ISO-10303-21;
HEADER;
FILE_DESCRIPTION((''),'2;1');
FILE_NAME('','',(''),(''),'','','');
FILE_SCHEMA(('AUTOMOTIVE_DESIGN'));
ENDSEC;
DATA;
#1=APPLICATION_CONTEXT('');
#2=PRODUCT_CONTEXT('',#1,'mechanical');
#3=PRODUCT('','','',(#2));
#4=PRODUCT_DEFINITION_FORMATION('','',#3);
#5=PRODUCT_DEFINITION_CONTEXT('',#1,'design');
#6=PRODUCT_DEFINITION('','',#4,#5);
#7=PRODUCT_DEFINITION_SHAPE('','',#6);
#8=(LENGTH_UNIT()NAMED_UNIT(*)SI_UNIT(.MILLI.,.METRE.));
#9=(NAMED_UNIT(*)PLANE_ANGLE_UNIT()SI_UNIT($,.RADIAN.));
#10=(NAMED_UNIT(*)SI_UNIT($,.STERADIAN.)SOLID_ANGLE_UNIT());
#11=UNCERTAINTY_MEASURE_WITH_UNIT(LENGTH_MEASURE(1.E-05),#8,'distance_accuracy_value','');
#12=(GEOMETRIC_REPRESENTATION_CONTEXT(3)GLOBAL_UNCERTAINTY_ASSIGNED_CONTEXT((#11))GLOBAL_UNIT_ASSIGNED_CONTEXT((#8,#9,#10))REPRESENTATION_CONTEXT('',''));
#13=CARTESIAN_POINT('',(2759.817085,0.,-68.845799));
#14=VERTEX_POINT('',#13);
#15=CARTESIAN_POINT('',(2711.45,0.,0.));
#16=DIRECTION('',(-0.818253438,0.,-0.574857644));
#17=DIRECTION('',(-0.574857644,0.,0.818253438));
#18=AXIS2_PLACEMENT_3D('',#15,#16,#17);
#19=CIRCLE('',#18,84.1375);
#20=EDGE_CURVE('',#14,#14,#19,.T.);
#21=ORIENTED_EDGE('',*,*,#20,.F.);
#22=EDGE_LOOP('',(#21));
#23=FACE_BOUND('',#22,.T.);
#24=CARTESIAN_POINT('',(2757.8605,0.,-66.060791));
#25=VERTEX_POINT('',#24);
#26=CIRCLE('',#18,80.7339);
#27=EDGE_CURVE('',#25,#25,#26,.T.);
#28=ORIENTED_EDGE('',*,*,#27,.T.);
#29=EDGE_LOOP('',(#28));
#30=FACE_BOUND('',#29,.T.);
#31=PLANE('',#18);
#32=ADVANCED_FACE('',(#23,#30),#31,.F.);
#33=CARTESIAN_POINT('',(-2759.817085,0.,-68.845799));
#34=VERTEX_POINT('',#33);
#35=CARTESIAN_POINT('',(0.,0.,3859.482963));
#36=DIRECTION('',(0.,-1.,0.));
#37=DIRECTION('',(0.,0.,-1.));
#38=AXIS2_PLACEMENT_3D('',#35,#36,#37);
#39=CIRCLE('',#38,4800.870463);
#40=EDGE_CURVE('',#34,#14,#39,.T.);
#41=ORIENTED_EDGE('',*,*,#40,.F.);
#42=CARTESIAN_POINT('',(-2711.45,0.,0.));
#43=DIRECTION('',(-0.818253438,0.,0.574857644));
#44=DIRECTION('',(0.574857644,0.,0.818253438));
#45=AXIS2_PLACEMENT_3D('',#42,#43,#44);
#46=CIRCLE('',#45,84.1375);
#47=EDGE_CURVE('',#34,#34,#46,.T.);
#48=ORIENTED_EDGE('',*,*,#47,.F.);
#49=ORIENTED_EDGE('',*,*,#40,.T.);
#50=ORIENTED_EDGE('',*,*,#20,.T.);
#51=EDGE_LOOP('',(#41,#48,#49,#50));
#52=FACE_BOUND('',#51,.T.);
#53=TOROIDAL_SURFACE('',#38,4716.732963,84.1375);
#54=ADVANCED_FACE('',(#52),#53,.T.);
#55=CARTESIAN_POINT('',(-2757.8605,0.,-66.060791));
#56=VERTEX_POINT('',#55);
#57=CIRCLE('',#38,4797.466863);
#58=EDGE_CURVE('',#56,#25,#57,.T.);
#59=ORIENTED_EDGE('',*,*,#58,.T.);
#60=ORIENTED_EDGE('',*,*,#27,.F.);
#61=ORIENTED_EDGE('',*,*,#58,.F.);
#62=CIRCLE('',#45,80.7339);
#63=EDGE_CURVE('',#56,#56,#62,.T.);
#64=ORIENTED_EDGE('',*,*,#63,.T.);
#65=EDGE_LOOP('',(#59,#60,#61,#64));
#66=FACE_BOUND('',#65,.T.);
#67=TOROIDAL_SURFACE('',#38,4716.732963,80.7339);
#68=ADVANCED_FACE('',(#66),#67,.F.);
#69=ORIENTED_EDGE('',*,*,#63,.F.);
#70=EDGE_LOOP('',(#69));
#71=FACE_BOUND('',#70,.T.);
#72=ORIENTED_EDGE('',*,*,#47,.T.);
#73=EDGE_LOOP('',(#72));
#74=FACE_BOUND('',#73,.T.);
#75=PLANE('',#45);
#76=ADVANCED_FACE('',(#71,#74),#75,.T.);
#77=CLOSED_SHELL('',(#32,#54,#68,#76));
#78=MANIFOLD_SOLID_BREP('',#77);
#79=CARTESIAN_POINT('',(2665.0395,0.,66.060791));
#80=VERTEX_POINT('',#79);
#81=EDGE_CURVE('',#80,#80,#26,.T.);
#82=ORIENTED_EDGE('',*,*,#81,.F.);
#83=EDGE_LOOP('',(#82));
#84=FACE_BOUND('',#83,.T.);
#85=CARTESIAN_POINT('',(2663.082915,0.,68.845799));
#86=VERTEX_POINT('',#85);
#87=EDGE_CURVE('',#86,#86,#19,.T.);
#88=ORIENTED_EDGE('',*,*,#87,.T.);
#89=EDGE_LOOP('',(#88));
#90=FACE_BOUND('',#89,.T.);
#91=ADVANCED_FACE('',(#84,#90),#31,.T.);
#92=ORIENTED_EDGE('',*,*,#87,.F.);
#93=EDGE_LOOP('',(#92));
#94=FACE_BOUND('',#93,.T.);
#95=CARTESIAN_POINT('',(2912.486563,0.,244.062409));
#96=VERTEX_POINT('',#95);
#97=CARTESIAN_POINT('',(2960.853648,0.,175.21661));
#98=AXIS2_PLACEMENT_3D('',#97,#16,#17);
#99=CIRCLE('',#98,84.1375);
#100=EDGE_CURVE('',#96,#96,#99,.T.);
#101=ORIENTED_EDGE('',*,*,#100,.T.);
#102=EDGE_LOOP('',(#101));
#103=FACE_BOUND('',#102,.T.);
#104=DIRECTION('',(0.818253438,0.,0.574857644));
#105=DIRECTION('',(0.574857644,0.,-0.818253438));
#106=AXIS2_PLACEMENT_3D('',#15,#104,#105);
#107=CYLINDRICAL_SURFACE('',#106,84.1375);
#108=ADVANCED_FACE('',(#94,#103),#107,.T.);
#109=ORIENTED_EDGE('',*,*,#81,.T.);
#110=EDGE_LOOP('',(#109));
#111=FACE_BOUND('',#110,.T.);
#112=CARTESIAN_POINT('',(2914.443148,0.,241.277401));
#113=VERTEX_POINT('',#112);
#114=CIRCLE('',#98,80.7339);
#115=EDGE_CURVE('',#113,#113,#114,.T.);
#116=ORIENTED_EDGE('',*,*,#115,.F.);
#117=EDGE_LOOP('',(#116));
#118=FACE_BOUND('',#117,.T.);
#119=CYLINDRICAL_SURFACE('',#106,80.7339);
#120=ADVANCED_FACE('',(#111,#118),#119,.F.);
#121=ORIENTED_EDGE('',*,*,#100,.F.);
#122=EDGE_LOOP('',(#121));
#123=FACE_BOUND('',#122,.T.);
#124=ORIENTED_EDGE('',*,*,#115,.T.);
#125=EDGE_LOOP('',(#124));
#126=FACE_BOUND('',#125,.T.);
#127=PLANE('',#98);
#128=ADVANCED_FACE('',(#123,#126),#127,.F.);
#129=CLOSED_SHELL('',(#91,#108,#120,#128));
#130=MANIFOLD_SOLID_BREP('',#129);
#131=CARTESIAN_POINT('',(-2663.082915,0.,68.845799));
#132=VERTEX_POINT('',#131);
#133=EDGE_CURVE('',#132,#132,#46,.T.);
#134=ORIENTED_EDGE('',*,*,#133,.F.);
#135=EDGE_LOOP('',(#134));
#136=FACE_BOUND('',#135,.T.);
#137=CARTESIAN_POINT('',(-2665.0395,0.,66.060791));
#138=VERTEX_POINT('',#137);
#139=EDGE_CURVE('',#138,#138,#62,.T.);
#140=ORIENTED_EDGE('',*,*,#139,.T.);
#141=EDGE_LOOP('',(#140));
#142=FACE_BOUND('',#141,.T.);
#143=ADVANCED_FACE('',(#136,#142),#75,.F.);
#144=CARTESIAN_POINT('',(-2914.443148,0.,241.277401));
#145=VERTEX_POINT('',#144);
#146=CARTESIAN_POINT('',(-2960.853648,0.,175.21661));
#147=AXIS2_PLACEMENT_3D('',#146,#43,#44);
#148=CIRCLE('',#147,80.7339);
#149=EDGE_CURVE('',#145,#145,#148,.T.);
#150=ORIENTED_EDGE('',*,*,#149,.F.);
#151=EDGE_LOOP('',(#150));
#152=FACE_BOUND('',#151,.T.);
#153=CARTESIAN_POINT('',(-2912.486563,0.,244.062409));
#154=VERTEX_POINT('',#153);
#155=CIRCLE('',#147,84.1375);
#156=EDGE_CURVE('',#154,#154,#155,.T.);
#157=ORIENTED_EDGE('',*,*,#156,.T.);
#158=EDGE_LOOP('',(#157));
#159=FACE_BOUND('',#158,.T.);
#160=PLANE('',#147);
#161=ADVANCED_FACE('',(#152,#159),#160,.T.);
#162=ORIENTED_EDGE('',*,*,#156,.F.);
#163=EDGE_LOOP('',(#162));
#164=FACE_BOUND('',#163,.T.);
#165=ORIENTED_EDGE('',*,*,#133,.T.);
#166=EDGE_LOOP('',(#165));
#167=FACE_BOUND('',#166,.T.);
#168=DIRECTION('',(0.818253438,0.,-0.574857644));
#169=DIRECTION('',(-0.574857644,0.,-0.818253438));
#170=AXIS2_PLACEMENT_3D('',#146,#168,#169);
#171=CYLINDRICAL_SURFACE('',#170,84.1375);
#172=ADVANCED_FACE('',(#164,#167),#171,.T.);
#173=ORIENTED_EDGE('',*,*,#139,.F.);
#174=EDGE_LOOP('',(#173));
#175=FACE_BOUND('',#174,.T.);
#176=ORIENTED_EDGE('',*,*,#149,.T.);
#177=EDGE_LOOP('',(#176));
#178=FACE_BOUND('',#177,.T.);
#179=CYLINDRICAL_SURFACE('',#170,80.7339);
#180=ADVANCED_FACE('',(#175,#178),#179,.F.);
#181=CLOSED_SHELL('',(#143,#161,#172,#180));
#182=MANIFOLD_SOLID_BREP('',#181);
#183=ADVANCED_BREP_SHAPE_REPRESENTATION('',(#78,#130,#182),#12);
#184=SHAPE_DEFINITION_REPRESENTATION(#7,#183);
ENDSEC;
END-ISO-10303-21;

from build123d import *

# Parameters (mm, degrees)
SKETCH12_R                 = 84.1375
SKETCH12_R_2               = 80.7339
STRUCTURAL_MEMBER1_DEPTH   = 304.8
SKETCH12_ON_SEGMENT_2_R    = 84.1375
SKETCH12_ON_SEGMENT_2_R_2  = 80.7339
STRUCTURAL_MEMBER1_2_ANGLE = 70.179327101
SKETCH12_ON_SEGMENT_3_R    = 84.1375
SKETCH12_ON_SEGMENT_3_R_2  = 80.7339
STRUCTURAL_MEMBER1_3_DEPTH = 304.8


with BuildPart() as part:
    # Sketch12 → Structural Member1 (new body)
    with BuildSketch(Plane(origin=(2711.45, 0, 0), x_dir=(-0.5748576443252191, 0, 0.8182534379768044), z_dir=(-0.8182534379768044, 0, -0.5748576443252191))):
        Circle(SKETCH12_R)
        Circle(SKETCH12_R_2, mode=Mode.SUBTRACT)
    extrude(amount=-STRUCTURAL_MEMBER1_DEPTH)


with BuildPart() as body_2:
    # Sketch12 on segment 2 (carried to the start of arc 2) → Structural Member1 2 (revolve)
    with BuildSketch(Plane(origin=(2711.45, 0, 0), x_dir=(0.574857644, 0, -0.818253438), z_dir=(0.818253438, 0, 0.574857644))):
        Circle(SKETCH12_ON_SEGMENT_2_R)
        Circle(SKETCH12_ON_SEGMENT_2_R_2, mode=Mode.SUBTRACT)
    revolve(axis=Axis((0, 0, 3859.482962963), (0, 1, 0)), revolution_arc=STRUCTURAL_MEMBER1_2_ANGLE)


with BuildPart() as body_3:
    # Sketch12 on segment 3 (carried to segment 3) → Structural Member1 3 (new body)
    with BuildSketch(Plane(origin=(-2960.853647895, 0, 175.21660999), x_dir=(-0.574857644, 0, -0.818253438), z_dir=(0.818253438, 0, -0.574857644))):
        Circle(SKETCH12_ON_SEGMENT_3_R)
        Circle(SKETCH12_ON_SEGMENT_3_R_2, mode=Mode.SUBTRACT)
    extrude(amount=STRUCTURAL_MEMBER1_3_DEPTH)


solid = Compound([part.part, body_2.part, body_3.part])
